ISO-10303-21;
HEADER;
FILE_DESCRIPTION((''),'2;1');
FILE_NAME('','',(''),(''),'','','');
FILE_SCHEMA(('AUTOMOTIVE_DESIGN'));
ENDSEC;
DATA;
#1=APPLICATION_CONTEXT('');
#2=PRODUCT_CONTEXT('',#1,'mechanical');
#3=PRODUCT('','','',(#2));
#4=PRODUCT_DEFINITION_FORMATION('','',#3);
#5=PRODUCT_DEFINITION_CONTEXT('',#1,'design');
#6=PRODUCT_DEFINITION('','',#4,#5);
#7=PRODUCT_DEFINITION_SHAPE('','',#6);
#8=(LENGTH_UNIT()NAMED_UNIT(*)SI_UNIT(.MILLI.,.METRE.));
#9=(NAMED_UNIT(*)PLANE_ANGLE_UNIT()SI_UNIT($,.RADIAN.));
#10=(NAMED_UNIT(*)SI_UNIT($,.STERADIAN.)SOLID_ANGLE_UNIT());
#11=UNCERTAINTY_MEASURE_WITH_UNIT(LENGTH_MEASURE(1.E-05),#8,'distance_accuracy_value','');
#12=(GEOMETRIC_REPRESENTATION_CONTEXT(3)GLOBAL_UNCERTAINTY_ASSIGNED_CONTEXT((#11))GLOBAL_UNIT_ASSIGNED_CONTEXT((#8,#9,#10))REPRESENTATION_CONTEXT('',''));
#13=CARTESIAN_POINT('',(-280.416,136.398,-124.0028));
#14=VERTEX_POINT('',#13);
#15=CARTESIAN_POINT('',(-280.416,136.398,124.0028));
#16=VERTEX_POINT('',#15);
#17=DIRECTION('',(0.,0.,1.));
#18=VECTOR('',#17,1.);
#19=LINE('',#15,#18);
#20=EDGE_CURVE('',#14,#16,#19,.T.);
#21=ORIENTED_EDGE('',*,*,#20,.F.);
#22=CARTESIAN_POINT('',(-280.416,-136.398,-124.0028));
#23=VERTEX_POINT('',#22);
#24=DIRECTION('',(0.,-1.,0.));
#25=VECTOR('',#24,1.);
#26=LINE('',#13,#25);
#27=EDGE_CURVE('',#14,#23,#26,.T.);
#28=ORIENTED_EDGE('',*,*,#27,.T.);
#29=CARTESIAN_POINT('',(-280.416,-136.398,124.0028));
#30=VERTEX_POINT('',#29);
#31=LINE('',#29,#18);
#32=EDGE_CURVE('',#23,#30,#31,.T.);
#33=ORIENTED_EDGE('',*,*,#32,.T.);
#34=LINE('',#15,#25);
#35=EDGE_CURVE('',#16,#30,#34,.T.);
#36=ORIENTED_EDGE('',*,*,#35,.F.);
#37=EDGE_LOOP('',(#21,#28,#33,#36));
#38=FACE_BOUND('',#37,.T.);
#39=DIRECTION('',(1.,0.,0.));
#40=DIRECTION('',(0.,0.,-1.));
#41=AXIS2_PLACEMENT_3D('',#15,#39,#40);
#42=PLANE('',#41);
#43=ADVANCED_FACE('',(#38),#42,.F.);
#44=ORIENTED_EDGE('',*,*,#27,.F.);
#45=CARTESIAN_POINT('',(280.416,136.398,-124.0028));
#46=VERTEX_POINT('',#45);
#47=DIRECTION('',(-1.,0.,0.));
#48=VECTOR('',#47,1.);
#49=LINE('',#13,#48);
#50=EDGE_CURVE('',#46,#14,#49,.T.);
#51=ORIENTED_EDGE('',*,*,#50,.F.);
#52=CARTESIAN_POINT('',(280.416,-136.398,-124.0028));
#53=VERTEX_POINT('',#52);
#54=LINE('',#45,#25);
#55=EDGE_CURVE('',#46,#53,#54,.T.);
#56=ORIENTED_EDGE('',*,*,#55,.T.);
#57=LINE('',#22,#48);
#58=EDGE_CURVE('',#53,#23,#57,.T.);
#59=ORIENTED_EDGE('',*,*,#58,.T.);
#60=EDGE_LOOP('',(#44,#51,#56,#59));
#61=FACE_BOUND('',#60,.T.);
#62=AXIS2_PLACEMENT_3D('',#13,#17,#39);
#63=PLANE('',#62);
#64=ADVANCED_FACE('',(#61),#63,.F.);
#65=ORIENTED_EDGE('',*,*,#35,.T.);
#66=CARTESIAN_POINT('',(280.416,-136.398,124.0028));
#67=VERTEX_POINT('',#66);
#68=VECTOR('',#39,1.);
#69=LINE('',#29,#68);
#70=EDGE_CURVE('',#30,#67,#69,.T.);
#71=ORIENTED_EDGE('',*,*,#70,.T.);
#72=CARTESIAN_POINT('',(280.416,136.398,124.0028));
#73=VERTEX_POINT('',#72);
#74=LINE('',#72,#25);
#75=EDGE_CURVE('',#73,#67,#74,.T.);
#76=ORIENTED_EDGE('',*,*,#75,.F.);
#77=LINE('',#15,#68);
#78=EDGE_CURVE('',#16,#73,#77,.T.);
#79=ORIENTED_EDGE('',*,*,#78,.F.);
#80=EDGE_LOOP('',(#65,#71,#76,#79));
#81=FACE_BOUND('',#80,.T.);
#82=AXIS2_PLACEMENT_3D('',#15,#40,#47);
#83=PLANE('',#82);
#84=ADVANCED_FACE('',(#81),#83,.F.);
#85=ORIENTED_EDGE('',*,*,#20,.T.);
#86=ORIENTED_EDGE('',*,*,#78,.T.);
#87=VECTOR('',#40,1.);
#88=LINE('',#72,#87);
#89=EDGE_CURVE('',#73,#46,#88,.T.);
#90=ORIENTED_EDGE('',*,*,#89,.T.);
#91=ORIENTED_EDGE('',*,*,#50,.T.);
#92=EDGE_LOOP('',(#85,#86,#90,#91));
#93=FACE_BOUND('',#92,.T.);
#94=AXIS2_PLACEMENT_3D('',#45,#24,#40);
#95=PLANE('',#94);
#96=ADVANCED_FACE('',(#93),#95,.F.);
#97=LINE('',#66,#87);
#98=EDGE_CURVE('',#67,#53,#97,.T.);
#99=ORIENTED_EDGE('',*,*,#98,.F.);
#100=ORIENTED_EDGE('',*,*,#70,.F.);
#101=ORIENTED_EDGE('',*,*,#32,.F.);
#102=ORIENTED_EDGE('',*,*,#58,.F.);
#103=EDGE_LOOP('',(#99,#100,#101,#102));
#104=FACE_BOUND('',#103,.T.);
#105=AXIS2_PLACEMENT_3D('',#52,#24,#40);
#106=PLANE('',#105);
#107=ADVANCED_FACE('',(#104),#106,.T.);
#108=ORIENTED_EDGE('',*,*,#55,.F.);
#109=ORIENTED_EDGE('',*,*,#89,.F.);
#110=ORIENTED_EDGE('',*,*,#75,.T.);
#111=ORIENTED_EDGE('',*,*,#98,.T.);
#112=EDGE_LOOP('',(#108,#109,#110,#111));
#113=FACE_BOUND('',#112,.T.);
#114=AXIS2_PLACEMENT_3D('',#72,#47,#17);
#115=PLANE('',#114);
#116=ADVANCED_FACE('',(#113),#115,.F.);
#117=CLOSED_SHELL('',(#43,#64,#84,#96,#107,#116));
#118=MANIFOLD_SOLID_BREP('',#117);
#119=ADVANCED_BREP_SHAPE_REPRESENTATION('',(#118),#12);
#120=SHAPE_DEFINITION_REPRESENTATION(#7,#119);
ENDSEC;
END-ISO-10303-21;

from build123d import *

# Parameters (mm, degrees)
SKETCH1_W      = 560.832
SKETCH1_H      = 248.0056
EXTRUDE1_DEPTH = 136.398


with BuildPart() as part:
    # Sketch1 → Extrude1 (new body, symmetric)
    with BuildSketch(Plane(origin=(0, 0, 0), x_dir=(1, 0, 0), z_dir=(0, 1, 0))):
        Rectangle(SKETCH1_W, SKETCH1_H)
    extrude(amount=EXTRUDE1_DEPTH, both=True)


solid = part.part
